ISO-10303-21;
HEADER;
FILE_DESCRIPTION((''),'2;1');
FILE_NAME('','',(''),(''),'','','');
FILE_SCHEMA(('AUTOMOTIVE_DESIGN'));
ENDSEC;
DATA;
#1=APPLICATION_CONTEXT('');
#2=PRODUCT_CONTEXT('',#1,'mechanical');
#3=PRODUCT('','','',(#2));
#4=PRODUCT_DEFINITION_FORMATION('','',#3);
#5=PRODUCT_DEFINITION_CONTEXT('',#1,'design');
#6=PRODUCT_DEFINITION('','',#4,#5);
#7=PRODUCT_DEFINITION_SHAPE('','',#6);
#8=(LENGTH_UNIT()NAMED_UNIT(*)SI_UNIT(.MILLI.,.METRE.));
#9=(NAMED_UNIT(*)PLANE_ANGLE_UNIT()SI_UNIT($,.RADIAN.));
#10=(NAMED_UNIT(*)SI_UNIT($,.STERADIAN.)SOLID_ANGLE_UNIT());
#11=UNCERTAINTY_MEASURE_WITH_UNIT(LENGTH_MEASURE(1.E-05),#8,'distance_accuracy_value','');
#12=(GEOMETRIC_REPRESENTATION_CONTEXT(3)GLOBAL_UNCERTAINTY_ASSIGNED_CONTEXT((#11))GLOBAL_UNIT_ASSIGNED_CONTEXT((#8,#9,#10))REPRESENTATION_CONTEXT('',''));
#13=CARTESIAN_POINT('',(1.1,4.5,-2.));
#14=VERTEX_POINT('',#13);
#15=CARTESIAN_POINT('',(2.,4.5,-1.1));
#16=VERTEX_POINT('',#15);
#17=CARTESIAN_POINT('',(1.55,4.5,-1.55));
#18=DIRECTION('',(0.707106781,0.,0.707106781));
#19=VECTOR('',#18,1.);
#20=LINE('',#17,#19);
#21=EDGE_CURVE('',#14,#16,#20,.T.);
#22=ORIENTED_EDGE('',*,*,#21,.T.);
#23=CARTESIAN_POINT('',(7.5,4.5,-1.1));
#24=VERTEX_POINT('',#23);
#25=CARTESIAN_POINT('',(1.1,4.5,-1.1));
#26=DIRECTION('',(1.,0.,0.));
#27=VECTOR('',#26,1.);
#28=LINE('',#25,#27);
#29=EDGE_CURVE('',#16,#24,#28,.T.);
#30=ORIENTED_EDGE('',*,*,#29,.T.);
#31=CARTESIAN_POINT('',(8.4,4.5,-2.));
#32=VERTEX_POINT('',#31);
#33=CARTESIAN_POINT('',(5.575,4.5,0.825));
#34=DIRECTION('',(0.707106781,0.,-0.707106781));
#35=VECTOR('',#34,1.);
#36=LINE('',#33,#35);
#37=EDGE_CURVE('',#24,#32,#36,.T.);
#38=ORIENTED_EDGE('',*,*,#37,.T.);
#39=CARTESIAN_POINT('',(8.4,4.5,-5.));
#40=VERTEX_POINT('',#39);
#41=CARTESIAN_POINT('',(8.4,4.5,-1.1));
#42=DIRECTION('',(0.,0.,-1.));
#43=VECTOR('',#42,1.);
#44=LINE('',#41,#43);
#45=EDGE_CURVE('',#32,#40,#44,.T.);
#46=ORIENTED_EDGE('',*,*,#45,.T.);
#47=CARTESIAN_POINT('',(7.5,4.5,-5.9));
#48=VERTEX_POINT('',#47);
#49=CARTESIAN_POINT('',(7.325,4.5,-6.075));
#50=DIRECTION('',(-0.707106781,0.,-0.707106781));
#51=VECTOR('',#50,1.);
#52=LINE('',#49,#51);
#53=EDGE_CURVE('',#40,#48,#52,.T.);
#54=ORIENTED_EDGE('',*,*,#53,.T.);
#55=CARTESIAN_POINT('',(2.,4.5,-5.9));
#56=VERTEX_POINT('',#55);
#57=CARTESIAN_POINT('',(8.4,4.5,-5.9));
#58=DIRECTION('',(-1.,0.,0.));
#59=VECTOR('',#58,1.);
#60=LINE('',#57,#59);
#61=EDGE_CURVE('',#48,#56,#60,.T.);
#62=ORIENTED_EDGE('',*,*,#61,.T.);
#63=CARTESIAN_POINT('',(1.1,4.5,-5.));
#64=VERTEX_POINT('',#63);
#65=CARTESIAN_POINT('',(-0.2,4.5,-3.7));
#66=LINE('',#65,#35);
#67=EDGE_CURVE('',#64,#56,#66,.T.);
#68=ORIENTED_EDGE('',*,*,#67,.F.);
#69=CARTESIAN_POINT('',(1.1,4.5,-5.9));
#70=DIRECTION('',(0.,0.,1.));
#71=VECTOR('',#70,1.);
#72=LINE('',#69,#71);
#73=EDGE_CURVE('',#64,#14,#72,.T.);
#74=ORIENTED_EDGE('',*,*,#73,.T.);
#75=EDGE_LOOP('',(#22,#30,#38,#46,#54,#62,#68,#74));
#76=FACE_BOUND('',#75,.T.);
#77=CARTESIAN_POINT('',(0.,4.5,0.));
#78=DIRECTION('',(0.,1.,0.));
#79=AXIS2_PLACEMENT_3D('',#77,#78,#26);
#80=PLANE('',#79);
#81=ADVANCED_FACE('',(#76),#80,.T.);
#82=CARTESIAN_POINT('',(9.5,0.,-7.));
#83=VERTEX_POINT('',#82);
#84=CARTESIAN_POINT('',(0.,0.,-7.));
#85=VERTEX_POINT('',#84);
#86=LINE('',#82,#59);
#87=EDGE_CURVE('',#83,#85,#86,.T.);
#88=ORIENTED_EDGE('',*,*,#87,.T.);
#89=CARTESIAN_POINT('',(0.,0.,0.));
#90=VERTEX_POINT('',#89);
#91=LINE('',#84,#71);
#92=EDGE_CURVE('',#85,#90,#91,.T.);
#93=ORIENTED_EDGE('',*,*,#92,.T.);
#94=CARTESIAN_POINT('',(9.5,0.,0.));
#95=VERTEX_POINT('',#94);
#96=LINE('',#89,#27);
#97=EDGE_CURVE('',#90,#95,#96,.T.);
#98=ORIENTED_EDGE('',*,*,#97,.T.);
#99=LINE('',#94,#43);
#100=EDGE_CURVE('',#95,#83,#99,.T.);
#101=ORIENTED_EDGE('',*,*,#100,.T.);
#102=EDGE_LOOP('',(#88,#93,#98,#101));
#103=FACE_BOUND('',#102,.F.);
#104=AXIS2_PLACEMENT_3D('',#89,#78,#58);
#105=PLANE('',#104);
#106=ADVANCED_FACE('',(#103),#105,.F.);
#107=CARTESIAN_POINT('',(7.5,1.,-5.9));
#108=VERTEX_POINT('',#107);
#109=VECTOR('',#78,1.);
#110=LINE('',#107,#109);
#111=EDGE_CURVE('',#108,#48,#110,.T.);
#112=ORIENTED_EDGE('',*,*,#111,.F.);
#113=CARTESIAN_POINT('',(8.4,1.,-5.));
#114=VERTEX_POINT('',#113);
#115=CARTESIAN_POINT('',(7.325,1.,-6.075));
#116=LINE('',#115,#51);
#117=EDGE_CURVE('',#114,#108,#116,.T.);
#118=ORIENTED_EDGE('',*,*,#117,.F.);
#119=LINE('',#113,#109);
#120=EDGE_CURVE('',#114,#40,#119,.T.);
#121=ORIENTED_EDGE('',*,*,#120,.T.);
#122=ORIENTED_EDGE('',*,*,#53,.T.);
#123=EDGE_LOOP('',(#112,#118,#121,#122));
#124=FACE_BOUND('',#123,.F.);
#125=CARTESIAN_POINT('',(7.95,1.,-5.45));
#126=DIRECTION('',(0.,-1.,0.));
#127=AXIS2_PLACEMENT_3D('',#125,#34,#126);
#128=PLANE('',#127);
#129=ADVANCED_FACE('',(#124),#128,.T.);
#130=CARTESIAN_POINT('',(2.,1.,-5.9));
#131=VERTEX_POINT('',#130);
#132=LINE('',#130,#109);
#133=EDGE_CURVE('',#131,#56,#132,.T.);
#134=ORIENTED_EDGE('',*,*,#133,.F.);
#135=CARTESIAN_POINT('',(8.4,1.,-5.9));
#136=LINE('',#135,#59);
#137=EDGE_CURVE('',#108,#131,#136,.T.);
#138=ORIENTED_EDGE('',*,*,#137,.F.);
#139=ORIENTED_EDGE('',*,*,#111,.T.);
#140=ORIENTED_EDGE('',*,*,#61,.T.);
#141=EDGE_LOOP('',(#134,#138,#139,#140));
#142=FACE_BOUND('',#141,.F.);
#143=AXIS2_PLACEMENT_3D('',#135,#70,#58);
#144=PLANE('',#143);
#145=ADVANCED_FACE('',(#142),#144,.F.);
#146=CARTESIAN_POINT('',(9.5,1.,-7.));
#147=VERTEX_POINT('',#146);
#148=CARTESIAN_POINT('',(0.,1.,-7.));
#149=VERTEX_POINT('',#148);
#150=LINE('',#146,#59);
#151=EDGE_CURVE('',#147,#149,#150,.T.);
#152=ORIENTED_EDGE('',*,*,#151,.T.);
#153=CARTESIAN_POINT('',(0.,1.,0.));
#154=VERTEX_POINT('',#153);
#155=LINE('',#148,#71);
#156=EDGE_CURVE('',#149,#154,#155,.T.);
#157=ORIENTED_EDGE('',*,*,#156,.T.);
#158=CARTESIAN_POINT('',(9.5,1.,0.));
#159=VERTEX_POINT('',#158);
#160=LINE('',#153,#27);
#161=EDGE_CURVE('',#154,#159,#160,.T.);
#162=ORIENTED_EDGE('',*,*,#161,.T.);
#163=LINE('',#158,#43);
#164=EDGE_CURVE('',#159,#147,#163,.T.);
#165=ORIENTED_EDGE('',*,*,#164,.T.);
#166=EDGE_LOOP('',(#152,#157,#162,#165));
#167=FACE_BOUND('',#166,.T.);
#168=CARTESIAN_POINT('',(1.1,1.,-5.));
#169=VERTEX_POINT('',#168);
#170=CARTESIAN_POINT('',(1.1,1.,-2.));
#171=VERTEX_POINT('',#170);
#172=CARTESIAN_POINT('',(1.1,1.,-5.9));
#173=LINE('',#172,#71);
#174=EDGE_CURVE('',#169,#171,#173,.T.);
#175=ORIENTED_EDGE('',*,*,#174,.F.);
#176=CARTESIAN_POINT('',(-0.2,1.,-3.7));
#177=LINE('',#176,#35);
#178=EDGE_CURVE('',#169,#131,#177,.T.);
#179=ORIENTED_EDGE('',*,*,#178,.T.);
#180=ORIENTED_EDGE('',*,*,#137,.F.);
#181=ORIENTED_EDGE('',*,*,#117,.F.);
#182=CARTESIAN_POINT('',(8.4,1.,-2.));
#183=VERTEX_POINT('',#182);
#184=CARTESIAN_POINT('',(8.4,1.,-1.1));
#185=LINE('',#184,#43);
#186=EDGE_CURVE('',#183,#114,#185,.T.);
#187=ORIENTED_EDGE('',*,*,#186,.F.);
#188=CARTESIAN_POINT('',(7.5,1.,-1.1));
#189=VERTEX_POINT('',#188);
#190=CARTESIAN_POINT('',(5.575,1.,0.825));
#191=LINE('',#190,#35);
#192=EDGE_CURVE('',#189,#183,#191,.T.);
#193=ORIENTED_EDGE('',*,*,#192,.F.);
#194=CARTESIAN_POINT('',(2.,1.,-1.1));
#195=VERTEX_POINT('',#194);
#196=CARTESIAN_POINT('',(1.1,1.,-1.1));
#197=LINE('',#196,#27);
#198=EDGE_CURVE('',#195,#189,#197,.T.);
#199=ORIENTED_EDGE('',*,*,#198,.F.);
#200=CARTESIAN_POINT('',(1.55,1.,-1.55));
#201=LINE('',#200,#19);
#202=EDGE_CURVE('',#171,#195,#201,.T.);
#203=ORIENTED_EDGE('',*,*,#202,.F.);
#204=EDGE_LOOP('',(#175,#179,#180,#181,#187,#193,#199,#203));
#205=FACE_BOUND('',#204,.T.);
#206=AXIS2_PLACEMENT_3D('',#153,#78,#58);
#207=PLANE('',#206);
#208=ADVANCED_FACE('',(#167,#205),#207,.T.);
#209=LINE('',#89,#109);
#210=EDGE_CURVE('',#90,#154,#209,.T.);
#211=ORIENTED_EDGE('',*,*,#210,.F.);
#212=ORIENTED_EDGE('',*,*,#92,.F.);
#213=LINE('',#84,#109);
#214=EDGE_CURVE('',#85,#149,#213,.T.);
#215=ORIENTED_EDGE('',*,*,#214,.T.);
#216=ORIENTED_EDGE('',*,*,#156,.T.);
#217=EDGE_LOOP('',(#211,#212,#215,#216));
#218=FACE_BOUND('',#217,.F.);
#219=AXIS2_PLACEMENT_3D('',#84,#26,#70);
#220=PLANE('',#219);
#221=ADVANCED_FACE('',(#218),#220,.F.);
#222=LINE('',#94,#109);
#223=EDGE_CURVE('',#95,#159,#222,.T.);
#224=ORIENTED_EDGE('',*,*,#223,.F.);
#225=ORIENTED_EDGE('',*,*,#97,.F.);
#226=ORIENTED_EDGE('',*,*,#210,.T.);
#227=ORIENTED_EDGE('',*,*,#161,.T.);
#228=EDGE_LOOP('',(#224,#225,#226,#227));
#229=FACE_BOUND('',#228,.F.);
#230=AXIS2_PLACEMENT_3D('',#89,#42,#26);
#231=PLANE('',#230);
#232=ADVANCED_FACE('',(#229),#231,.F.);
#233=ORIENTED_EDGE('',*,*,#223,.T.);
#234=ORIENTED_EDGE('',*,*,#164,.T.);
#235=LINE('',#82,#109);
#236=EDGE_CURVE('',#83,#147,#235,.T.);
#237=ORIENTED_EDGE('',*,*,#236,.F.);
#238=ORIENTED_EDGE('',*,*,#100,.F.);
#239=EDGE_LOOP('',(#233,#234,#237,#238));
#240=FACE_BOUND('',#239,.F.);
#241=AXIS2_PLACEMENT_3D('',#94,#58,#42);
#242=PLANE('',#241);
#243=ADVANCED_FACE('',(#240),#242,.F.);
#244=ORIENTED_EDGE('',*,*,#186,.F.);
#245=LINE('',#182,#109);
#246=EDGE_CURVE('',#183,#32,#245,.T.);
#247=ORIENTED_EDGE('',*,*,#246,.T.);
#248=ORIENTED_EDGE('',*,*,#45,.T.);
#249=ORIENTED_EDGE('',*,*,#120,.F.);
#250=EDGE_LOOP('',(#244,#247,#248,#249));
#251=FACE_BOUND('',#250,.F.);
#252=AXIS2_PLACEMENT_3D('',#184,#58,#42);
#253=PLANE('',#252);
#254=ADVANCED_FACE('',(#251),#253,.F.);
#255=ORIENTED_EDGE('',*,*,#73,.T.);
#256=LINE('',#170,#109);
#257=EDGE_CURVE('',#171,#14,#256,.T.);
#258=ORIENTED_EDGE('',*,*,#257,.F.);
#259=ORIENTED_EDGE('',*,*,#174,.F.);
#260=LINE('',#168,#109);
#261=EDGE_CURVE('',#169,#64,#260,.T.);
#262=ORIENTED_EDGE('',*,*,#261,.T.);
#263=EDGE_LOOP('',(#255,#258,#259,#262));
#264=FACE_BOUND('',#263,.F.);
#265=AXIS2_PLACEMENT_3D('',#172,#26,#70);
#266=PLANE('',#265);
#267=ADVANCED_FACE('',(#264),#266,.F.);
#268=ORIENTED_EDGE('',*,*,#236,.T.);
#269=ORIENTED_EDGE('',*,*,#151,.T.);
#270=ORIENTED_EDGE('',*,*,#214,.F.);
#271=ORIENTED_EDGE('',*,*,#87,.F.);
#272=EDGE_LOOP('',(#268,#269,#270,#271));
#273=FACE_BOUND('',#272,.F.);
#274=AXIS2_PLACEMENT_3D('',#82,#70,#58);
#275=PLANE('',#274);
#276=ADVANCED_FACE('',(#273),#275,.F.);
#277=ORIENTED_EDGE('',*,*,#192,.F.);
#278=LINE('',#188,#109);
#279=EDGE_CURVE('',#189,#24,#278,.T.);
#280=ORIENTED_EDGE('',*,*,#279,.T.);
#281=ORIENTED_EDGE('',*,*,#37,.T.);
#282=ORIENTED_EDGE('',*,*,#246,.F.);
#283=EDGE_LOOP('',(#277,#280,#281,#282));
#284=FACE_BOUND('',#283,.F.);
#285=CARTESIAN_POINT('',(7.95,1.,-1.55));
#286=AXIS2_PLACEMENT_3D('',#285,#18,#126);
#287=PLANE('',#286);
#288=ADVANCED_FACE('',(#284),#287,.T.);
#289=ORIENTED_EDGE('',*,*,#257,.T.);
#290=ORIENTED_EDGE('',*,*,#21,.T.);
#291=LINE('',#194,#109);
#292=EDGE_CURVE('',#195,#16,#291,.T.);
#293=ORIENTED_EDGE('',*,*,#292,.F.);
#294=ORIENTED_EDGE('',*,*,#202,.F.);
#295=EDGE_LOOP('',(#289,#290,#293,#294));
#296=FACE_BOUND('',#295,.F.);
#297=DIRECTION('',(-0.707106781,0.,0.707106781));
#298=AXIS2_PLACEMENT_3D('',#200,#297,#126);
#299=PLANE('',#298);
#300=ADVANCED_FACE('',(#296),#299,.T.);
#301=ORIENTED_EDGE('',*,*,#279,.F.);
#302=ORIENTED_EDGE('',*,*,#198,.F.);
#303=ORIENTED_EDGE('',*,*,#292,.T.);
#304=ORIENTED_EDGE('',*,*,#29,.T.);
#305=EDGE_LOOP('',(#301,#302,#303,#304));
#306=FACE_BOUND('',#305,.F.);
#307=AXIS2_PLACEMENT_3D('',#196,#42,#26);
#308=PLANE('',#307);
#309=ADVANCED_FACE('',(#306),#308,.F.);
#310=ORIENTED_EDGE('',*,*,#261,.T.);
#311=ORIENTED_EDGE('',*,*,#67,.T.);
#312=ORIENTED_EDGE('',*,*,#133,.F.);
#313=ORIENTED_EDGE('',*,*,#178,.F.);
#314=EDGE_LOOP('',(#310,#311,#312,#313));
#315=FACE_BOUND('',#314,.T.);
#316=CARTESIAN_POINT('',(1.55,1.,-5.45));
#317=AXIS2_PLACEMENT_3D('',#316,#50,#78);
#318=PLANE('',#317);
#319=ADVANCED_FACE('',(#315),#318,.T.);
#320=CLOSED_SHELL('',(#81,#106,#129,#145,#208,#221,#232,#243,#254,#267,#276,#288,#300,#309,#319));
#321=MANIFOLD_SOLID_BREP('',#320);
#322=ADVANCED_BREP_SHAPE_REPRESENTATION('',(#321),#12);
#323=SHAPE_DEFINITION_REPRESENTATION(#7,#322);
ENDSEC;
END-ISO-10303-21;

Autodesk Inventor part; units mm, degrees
ref_plane "YZ Plane" through (0, 0, 0) normal (1, 0, 0) x (0, 1, 0)
ref_plane "XZ Plane" through (0, 0, 0) normal (0, 1, 0) x (-1, 0, 0)
ref_plane "XY Plane" through (0, 0, 0) normal (0, 0, 1) x (1, 0, 0)
sketch "Náčrt1" plane through (0, 0, 0) normal (0, 1, 0) x (-1, 0, 0)
  line L0 (0, 0) -> (-9.5, 0)
  line L1 (-9.5, 0) -> (-9.5, -7)
  line L2 (-9.5, -7) -> (0, -7)
  line L3 (0, -7) -> (0, 0)
  dimension "d0" = 9.5
  dimension "d1" = 7
extrude "Vysunutí1" add sketch "Náčrt1" along normal blind 1
sketch "Náčrt2" plane through (0, 1, 0) normal (0, 1, 0) x (1, 0, 0)
  line L0 (1.1, 1.1) -> (8.4, 1.1)
  line L1 (8.4, 1.1) -> (8.4, 5.9)
  line L2 (8.4, 5.9) -> (1.1, 5.9)
  line L3 (1.1, 5.9) -> (1.1, 1.1)
  line L4 (9.5, 7) -> (0, 7) projected
  line L5 (0, 7) -> (0, 0) projected
  dimension "d4" = 7.3
  dimension "d5" = 4.8
  dimension "d6" = 1.1
  dimension "d7" = 1.1
extrude "Vysunutí2" add sketch "Náčrt2" along normal blind 3.5
chamfer "Zkosení1" distance 0.9 angle 45 4 edges at (1.1, 2.75, -5.9) (1.1, 2.75, -1.1) (8.4, 2.75, -1.1) (8.4, 2.75, -5.9)
sketch "Náčrt3" plane through (0, 0, 0) normal (0, 0, 1) x (1, 0, 0)
  point P0 (0, 0)
sketch "Náčrt4" plane through (0, 1, 0) normal (0, 1, 0) x (1, 0, 0)
  point P0 (0, 0)
properties part number "MiddleButton"
